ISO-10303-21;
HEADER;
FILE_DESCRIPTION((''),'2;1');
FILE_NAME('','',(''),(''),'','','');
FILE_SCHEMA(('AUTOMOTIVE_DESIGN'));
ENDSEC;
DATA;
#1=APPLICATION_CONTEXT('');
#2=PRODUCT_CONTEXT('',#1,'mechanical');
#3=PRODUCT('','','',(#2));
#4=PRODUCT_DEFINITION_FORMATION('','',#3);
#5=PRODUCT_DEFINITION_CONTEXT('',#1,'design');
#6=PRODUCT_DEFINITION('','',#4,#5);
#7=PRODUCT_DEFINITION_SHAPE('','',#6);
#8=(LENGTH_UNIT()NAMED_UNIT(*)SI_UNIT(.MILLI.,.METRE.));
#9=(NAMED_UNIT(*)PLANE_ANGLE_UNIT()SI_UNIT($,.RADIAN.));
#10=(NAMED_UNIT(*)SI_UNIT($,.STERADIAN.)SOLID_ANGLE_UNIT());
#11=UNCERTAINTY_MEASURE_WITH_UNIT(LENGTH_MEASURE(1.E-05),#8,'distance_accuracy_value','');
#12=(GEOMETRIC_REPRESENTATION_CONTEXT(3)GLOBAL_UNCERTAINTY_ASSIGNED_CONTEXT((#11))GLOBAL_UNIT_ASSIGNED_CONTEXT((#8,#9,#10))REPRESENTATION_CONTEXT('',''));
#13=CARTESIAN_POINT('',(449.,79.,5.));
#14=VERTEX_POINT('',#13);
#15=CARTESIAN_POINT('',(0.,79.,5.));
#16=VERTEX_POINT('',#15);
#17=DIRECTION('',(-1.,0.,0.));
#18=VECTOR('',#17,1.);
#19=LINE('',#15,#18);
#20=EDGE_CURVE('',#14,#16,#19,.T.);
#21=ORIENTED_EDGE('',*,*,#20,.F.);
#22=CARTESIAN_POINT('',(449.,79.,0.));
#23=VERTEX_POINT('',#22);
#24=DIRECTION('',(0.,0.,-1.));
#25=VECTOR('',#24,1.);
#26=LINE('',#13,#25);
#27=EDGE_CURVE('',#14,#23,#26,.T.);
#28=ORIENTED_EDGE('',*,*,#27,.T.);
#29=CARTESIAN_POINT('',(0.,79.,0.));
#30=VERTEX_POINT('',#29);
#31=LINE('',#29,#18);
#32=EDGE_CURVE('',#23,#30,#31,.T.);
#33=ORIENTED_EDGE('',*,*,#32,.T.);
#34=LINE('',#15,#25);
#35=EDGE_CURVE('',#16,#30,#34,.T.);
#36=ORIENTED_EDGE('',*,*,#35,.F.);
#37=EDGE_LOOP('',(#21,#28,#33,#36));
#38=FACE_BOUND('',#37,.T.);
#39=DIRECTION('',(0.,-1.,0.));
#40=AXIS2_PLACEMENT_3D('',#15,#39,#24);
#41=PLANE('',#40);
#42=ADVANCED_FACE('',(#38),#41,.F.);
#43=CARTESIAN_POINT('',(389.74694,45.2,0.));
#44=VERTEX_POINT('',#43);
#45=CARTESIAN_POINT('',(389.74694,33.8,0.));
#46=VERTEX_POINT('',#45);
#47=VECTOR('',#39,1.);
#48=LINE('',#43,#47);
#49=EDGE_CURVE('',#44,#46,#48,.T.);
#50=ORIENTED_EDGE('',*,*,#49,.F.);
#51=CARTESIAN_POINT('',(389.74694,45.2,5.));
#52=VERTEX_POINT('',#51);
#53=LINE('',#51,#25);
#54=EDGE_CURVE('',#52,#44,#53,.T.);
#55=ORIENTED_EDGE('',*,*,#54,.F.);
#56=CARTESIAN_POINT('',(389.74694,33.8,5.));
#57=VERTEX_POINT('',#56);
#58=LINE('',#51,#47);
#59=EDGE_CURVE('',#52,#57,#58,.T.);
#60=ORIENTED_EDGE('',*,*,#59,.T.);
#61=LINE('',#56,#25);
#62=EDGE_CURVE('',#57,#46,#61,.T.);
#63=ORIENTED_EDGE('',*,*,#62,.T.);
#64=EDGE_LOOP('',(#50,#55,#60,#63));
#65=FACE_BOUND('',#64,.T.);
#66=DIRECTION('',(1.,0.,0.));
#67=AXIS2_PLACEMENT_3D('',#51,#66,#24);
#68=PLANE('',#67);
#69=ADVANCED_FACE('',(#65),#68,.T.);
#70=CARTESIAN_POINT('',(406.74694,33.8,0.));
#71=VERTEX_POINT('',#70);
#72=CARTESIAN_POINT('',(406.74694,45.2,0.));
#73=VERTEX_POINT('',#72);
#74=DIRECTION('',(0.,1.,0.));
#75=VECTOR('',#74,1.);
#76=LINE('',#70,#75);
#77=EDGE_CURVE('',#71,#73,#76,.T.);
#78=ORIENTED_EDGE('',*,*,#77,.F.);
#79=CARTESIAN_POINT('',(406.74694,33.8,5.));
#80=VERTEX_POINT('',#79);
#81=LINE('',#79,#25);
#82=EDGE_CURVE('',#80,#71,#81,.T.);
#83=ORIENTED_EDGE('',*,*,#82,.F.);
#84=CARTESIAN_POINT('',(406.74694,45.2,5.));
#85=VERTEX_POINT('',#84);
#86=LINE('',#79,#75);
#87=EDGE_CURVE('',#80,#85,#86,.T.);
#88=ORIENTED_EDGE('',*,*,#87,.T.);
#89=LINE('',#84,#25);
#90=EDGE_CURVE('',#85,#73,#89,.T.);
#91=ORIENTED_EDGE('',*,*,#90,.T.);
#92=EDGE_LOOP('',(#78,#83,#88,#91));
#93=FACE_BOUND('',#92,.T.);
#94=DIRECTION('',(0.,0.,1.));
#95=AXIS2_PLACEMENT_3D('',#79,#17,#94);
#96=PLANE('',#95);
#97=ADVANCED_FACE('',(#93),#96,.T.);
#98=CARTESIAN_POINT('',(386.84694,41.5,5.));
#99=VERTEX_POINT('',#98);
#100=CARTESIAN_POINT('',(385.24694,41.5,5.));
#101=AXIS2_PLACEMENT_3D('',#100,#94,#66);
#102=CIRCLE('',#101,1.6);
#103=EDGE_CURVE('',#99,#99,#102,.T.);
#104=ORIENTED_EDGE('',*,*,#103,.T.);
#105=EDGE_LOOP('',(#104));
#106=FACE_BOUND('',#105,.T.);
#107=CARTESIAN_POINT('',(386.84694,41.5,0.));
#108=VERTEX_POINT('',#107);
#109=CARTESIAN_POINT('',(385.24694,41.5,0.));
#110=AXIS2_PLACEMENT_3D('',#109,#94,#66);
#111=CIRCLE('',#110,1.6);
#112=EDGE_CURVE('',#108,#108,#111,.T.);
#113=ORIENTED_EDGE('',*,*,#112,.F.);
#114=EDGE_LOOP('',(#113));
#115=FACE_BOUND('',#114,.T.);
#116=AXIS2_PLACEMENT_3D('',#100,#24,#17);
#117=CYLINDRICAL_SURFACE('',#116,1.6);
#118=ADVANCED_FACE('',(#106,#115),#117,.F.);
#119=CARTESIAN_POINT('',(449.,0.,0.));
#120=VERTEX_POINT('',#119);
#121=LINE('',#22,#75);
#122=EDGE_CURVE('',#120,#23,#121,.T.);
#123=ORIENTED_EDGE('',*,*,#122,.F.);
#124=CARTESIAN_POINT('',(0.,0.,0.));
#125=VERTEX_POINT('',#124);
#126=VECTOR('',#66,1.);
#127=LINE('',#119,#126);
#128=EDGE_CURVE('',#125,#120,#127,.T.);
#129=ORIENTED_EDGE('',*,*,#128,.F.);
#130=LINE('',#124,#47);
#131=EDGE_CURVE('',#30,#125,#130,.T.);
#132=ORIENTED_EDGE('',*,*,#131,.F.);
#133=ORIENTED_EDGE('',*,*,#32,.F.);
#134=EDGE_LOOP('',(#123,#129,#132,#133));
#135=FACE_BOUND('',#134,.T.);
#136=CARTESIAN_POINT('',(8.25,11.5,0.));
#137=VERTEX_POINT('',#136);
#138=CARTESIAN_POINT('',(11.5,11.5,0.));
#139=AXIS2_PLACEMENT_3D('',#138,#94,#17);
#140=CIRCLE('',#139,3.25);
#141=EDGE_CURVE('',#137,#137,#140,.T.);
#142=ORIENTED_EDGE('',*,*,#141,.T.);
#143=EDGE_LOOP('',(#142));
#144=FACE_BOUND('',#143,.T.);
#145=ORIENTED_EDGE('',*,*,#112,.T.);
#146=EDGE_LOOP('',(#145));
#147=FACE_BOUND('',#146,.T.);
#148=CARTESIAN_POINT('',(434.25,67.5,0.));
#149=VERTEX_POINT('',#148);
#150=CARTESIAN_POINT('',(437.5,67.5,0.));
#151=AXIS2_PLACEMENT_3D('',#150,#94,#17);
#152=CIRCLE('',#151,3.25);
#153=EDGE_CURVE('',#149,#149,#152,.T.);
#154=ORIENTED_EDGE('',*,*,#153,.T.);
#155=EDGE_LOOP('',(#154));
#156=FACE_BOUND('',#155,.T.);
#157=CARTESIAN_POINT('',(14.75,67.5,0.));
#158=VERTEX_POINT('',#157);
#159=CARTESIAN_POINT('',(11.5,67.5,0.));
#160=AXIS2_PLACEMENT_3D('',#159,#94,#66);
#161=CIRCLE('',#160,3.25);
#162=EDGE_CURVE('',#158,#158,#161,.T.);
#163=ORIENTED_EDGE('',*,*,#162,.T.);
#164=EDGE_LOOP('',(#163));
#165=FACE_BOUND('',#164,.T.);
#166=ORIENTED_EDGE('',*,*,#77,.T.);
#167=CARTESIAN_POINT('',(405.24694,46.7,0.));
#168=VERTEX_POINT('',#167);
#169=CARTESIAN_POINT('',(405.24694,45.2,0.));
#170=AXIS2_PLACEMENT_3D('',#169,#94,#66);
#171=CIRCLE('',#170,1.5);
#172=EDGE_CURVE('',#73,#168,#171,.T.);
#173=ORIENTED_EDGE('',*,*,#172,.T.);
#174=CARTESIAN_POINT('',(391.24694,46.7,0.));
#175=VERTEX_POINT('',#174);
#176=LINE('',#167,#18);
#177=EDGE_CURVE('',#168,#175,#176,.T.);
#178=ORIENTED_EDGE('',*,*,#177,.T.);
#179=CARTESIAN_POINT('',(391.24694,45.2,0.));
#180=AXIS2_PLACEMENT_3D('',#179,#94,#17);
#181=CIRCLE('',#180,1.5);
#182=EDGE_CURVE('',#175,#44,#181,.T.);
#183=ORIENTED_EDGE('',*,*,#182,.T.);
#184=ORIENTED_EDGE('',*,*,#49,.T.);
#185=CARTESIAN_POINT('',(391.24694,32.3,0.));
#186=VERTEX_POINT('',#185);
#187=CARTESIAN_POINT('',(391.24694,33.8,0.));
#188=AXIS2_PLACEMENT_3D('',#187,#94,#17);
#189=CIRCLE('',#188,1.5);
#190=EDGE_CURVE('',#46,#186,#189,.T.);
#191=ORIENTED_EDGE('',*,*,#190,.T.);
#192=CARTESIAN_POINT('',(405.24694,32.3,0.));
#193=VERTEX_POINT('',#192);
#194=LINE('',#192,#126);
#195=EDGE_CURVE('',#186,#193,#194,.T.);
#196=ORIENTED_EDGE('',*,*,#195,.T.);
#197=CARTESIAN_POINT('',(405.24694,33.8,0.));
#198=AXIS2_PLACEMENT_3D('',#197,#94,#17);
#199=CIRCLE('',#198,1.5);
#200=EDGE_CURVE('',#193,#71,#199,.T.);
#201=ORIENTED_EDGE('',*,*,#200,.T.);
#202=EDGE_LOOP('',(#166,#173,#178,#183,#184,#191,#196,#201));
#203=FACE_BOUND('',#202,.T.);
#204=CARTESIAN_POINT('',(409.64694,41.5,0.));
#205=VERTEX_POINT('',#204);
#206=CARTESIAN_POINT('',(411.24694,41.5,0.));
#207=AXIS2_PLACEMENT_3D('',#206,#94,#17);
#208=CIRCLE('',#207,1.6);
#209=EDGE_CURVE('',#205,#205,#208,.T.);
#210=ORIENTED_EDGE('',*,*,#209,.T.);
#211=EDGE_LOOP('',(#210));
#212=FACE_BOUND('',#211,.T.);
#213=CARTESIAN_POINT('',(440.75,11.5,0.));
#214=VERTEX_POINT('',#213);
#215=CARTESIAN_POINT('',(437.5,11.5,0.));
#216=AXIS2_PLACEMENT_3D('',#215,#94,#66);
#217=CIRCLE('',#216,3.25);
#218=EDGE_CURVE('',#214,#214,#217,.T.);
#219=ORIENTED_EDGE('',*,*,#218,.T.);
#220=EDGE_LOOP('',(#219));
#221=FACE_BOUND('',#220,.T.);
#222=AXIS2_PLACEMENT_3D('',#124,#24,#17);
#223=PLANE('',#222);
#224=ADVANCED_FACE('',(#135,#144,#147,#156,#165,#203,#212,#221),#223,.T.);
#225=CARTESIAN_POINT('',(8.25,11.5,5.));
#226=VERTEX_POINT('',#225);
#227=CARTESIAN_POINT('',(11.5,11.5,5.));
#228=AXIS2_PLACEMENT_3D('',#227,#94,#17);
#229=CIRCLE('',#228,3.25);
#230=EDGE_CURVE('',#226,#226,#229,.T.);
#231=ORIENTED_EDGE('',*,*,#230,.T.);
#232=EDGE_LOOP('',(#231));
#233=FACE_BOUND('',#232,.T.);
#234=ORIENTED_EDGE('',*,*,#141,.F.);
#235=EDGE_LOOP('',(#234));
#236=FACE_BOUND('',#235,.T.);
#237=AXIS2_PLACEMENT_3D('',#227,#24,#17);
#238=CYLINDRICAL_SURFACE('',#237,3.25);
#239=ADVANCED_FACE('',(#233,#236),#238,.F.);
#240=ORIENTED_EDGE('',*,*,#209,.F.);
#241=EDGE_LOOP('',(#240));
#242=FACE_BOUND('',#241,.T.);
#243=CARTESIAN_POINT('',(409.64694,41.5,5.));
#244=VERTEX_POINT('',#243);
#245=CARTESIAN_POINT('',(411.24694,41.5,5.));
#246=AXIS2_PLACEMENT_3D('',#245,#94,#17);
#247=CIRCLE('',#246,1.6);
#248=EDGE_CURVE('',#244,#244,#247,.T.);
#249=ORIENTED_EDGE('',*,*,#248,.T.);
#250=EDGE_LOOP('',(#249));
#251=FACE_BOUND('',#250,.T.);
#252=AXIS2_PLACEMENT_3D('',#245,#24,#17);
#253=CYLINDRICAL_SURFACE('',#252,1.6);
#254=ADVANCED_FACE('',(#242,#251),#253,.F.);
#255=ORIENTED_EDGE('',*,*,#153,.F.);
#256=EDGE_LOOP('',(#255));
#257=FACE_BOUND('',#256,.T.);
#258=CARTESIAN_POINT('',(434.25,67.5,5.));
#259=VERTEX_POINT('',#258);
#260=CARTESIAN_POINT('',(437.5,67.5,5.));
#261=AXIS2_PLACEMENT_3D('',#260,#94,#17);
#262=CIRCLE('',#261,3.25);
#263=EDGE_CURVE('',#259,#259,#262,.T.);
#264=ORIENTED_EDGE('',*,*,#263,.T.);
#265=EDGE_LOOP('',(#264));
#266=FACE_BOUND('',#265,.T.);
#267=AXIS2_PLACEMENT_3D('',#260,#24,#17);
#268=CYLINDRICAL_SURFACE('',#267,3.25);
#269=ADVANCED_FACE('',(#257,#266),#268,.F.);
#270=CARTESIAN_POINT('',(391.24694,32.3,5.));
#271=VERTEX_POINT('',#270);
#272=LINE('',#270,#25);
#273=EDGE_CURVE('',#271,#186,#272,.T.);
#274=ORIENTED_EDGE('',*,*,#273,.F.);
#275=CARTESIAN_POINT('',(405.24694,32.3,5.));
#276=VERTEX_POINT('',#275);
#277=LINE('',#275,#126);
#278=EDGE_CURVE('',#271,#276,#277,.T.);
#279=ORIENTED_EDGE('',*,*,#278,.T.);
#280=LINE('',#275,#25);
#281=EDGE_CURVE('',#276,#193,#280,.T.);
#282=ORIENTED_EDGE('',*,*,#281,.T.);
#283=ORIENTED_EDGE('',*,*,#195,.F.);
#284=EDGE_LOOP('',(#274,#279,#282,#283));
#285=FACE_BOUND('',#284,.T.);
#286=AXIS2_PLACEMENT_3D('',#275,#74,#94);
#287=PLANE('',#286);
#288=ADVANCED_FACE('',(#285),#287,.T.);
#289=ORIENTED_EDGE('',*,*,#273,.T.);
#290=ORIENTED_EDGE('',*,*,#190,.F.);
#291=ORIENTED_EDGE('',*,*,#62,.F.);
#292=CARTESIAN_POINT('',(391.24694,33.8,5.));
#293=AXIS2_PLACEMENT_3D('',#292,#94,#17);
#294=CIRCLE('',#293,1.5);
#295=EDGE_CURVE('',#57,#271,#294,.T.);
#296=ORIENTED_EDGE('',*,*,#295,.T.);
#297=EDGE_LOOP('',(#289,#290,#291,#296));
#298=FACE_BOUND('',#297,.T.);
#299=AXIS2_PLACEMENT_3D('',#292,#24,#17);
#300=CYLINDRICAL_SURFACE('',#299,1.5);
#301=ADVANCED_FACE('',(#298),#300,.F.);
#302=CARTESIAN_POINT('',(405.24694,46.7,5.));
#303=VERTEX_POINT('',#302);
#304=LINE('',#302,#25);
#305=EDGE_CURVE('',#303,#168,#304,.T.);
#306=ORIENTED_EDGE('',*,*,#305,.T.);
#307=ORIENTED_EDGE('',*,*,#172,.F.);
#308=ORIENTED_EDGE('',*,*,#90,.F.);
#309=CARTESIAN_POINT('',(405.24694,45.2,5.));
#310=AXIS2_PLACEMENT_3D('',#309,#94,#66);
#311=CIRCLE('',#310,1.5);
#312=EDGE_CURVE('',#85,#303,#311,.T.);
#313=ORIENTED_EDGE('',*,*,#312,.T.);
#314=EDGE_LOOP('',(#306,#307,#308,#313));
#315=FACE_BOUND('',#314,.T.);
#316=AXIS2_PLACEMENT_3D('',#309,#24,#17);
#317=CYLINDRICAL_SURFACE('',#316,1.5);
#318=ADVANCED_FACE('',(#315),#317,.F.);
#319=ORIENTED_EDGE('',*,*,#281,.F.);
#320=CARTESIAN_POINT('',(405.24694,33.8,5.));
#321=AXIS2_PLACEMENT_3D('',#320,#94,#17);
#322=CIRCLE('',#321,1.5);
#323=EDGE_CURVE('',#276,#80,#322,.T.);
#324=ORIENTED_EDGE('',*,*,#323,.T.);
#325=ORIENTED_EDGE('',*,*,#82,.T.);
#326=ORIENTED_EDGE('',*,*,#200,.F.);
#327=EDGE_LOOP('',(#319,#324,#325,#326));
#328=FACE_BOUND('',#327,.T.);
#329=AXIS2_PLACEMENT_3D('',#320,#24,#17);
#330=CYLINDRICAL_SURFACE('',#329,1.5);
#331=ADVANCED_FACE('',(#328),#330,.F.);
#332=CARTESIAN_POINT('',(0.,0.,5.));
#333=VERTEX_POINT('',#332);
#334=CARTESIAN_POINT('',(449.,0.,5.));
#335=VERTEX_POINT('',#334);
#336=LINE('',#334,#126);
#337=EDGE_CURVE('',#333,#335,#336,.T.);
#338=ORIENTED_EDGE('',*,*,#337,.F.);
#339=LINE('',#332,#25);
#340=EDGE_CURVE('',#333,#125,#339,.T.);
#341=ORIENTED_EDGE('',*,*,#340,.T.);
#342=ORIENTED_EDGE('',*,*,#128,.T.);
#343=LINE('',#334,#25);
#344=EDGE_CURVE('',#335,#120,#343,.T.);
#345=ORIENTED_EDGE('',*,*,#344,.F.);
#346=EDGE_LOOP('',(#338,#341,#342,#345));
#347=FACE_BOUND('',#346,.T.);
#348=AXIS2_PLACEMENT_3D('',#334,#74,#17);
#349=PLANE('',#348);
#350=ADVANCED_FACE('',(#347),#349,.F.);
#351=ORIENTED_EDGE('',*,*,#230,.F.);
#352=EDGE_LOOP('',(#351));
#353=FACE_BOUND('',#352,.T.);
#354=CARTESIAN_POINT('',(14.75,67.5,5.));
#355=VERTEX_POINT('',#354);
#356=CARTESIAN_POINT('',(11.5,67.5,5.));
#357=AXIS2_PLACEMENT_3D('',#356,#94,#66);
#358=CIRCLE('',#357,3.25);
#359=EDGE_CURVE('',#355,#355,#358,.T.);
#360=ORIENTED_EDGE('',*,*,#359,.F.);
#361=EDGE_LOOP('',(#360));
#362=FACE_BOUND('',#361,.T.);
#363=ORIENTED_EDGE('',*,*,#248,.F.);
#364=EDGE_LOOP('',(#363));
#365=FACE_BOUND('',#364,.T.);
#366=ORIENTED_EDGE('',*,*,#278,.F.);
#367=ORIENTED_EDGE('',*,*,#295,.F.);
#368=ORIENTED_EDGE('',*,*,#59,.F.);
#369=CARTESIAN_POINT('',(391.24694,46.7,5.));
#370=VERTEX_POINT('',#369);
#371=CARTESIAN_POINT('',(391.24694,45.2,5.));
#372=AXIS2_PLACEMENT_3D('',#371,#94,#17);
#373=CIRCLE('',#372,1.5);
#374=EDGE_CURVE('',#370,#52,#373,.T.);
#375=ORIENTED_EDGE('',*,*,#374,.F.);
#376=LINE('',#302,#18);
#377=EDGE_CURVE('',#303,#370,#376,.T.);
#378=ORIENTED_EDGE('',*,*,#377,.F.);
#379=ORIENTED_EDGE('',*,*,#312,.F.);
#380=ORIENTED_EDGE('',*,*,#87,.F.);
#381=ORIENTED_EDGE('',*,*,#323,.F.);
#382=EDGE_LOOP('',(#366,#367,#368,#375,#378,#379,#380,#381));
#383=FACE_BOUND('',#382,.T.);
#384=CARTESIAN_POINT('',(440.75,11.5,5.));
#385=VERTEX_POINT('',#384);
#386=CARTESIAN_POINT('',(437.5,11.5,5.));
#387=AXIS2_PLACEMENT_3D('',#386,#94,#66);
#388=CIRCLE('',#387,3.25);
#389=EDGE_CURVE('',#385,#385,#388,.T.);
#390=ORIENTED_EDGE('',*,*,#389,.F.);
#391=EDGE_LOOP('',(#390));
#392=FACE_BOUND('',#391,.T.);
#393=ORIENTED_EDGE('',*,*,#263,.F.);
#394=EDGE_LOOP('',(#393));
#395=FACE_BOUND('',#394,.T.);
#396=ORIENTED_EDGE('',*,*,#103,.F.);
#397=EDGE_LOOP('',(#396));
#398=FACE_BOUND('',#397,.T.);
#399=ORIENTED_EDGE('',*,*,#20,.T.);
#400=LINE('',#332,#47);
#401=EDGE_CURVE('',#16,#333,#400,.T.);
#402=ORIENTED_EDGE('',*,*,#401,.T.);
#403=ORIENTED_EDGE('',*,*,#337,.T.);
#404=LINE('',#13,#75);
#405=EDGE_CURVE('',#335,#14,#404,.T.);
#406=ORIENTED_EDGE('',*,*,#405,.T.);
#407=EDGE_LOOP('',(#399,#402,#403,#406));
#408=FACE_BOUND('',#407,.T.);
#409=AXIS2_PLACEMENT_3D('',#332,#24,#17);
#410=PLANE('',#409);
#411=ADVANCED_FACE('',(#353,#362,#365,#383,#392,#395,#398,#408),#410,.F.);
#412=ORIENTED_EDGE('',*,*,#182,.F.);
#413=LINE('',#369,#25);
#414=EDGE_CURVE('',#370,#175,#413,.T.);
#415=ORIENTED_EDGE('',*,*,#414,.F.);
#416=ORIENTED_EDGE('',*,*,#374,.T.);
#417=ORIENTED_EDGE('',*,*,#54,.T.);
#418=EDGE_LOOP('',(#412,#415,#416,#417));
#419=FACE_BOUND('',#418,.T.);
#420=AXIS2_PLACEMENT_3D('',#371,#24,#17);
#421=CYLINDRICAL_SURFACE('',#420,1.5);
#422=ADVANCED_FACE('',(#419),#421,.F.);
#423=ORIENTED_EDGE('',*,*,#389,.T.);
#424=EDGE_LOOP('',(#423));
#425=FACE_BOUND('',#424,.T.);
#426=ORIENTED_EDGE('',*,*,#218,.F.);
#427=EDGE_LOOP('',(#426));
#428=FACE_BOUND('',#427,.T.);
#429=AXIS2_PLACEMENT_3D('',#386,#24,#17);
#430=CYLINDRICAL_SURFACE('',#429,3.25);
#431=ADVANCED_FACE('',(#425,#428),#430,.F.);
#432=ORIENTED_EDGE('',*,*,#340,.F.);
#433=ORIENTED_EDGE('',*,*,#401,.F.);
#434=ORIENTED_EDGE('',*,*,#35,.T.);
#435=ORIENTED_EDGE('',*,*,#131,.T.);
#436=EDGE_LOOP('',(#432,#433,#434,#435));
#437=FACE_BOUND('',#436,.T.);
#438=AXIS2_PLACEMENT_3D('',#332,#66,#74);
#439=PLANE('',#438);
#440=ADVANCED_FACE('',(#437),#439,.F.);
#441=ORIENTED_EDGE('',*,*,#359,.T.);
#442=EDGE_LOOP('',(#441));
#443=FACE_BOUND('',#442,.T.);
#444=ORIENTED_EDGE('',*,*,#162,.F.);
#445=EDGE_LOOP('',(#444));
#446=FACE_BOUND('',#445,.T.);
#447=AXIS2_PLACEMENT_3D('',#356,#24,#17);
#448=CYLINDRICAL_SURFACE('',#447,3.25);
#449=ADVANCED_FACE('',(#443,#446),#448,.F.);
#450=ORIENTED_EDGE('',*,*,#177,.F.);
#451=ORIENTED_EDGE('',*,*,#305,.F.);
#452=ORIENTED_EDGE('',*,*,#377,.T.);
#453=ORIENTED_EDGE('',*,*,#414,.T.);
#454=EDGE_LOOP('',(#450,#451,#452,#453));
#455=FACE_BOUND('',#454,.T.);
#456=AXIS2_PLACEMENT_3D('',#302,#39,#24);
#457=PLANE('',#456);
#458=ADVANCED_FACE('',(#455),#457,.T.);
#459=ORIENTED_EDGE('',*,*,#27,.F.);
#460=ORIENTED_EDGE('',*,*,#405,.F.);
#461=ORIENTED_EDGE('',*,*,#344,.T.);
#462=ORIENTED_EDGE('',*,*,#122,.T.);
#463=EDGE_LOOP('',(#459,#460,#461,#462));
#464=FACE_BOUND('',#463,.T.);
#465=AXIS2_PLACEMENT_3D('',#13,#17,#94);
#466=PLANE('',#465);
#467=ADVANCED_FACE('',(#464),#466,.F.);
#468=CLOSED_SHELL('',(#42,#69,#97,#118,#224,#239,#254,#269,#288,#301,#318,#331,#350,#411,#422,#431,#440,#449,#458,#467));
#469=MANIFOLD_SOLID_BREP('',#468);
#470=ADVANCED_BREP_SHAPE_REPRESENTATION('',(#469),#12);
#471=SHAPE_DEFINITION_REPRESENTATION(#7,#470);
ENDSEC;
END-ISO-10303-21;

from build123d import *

# Parameters (mm, degrees)
SKETCH_F_W                   = 449
SKETCH_F_H                   = 79
SKETCH_F_R                   = 3.25
SKETCH_F_R_2                 = 1.6
ESTRUSIONE_ESTRUSIONE1_DEPTH = 5


with BuildPart() as part:
    # Sketch f → Estrusione-Estrusione1 (new body)
    with BuildSketch(Plane.XY):
        with Locations((224.5, 39.5)):
            Rectangle(SKETCH_F_W, SKETCH_F_H)
        with Locations((11.5, 67.5)):
            Circle(SKETCH_F_R, mode=Mode.SUBTRACT)
        with Locations((437.5, 67.5)):
            Circle(SKETCH_F_R, mode=Mode.SUBTRACT)
        with Locations((11.5, 11.5)):
            Circle(SKETCH_F_R, mode=Mode.SUBTRACT)
        with Locations((437.5, 11.5)):
            Circle(SKETCH_F_R, mode=Mode.SUBTRACT)
        with Locations((385.246939646, 41.5)):
            Circle(SKETCH_F_R_2, mode=Mode.SUBTRACT)
        with Locations((411.246939646, 41.5)):
            Circle(SKETCH_F_R_2, mode=Mode.SUBTRACT)
        with BuildLine():
            Line((406.746939646, 33.8), (406.746939646, 45.2))
            ThreePointArc((406.746939646, 45.2), (406.307599818, 46.260660172), (405.246939646, 46.7))
            Line((405.246939646, 46.7), (391.246939646, 46.7))
            ThreePointArc((391.246939646, 46.7), (390.186279474, 46.260660172), (389.746939646, 45.2))
            Line((389.746939646, 45.2), (389.746939646, 33.8))
            ThreePointArc((389.746939646, 33.8), (390.186279474, 32.739339828), (391.246939646, 32.3))
            Line((391.246939646, 32.3), (405.246939646, 32.3))
            ThreePointArc((405.246939646, 32.3), (406.307599818, 32.739339828), (406.746939646, 33.8))
        make_face(mode=Mode.SUBTRACT)
    extrude(amount=ESTRUSIONE_ESTRUSIONE1_DEPTH)


solid = part.part
